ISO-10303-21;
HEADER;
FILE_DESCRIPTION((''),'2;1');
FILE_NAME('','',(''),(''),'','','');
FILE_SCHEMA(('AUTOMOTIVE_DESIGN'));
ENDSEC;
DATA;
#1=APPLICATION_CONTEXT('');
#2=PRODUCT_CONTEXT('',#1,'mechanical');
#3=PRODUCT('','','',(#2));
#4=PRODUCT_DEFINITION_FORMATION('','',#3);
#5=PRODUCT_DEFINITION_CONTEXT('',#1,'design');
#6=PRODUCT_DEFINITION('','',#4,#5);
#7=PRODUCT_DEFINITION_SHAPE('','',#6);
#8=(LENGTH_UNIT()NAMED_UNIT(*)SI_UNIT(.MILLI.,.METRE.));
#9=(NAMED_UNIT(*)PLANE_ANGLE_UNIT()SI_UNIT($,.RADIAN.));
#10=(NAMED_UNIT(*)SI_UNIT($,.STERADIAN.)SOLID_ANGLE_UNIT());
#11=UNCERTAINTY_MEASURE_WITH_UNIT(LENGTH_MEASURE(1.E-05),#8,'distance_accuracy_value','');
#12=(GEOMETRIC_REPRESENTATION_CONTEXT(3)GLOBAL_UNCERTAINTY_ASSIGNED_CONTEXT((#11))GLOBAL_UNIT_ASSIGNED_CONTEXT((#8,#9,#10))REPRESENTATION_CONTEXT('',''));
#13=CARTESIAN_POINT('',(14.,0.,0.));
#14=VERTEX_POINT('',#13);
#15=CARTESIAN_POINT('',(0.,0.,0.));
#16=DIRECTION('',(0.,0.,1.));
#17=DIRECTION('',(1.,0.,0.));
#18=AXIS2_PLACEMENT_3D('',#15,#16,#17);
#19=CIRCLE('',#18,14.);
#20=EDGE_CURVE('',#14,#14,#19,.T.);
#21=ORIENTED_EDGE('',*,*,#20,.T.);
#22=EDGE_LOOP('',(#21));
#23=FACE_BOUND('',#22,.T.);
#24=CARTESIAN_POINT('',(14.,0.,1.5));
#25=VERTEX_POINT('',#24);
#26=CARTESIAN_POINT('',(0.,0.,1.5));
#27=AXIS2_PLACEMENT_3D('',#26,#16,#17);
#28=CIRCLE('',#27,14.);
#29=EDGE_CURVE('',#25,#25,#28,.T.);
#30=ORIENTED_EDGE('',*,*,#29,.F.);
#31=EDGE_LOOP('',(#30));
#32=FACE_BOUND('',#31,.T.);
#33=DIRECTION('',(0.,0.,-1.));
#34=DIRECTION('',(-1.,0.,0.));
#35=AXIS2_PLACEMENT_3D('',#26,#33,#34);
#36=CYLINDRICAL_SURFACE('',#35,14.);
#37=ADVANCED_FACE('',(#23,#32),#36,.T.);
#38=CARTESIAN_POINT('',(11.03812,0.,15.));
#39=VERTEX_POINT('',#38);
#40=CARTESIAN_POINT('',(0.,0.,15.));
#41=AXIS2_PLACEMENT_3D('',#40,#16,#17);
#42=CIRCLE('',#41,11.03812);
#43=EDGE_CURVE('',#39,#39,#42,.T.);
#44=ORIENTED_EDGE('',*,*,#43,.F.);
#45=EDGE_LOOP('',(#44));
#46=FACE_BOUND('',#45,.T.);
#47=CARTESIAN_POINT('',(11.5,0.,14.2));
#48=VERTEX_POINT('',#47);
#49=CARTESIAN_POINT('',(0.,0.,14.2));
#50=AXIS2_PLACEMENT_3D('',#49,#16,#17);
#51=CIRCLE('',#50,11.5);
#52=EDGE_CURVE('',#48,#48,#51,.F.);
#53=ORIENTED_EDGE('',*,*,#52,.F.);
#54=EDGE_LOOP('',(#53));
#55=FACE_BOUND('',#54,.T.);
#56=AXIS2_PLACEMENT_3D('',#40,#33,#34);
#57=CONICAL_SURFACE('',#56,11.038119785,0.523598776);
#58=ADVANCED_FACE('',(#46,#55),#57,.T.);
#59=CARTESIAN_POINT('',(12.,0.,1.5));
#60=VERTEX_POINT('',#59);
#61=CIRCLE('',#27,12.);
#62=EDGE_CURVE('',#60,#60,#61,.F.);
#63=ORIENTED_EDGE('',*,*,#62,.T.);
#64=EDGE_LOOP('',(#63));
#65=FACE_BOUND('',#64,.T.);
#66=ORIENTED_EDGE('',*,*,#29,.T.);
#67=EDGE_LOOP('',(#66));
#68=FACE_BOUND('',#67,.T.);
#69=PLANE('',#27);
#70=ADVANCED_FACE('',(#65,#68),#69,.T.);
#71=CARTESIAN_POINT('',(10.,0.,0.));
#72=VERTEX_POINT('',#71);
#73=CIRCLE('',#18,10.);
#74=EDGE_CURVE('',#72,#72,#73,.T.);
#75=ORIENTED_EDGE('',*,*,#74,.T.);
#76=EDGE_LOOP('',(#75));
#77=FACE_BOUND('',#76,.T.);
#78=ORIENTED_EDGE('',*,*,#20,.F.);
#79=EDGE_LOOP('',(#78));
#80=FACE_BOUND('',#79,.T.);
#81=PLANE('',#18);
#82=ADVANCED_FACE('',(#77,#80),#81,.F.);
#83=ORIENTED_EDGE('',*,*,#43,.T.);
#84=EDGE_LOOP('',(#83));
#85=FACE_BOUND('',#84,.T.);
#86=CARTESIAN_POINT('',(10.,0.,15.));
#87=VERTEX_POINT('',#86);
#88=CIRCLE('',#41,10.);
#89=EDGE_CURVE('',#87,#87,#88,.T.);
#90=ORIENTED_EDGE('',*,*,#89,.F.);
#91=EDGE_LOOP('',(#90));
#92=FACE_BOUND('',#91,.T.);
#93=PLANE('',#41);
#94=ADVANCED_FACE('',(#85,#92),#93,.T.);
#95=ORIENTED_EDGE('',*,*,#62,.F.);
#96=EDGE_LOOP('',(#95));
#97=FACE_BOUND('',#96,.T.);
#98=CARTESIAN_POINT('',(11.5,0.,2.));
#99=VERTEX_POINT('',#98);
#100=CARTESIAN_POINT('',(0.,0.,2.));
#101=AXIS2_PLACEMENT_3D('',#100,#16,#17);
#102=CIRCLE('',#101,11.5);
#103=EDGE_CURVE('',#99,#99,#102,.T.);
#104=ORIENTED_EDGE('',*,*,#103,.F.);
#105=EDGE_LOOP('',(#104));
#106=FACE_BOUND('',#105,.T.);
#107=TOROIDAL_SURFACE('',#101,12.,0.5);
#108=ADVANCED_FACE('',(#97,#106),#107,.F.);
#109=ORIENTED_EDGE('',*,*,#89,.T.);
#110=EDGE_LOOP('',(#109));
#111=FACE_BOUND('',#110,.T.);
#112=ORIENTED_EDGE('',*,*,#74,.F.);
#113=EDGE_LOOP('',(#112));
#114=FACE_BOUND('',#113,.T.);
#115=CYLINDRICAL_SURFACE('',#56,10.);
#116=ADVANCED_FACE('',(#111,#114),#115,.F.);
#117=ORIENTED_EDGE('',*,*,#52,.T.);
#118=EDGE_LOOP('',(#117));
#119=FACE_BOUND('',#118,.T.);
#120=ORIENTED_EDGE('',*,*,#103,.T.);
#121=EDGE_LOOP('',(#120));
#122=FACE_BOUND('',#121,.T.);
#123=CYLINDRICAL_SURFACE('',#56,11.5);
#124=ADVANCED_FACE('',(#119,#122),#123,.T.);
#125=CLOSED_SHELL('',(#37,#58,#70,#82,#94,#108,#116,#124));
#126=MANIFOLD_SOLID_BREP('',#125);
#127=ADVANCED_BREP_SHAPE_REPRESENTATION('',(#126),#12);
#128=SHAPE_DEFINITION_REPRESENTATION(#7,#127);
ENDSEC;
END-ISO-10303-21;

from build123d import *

# Parameters (mm, degrees)
SZKIC1_R                          = 14
SZKIC1_R_2                        = 11.5
WYCI_GNI_CIE_CIENKA_CIANKA1_DEPTH = 1.5
SZKIC2_R                          = 11.5
SZKIC2_R_2                        = 10
DODANIE_WYCI_GNI_CIE1_DEPTH       = 15
ZAOKR_GLENIE1_R                   = 0.5
SFAZOWANIE1_SIZE                  = 0.8
SFAZOWANIE1_SIZE2                 = 0.461880215


with BuildPart() as part:
    # Szkic1 → Wyciągnięcie-cienka ścianka1 (new body)
    with BuildSketch(Plane.XY):
        Circle(SZKIC1_R)
        Circle(SZKIC1_R_2, mode=Mode.SUBTRACT)
    extrude(amount=WYCI_GNI_CIE_CIENKA_CIANKA1_DEPTH)

    # Szkic2 → Dodanie-wyciągnięcie1 (add)
    with BuildSketch(Plane.XY):
        Circle(SZKIC2_R)
        Circle(SZKIC2_R_2, mode=Mode.SUBTRACT)
    extrude(amount=DODANIE_WYCI_GNI_CIE1_DEPTH)

    # Zaokrąglenie1
    zaokr_glenie1_edges = [part.edges().sort_by_distance(p)[0] for p in [
        (-11.5, 0, 1.5),
    ]]
    fillet(zaokr_glenie1_edges, radius=ZAOKR_GLENIE1_R)

    # Sfazowanie1
    sfazowanie1_edges = [part.edges().sort_by_distance(p)[0] for p in [
        (-11.5, 0, 15),
    ]]
    sfazowanie1_side = [part.faces().sort_by_distance(p)[0] for p in [
        (-11.5, 0, 8.5),
    ]]
    chamfer(sfazowanie1_edges, length=SFAZOWANIE1_SIZE, length2=SFAZOWANIE1_SIZE2, reference=sfazowanie1_side[0])


solid = part.part
